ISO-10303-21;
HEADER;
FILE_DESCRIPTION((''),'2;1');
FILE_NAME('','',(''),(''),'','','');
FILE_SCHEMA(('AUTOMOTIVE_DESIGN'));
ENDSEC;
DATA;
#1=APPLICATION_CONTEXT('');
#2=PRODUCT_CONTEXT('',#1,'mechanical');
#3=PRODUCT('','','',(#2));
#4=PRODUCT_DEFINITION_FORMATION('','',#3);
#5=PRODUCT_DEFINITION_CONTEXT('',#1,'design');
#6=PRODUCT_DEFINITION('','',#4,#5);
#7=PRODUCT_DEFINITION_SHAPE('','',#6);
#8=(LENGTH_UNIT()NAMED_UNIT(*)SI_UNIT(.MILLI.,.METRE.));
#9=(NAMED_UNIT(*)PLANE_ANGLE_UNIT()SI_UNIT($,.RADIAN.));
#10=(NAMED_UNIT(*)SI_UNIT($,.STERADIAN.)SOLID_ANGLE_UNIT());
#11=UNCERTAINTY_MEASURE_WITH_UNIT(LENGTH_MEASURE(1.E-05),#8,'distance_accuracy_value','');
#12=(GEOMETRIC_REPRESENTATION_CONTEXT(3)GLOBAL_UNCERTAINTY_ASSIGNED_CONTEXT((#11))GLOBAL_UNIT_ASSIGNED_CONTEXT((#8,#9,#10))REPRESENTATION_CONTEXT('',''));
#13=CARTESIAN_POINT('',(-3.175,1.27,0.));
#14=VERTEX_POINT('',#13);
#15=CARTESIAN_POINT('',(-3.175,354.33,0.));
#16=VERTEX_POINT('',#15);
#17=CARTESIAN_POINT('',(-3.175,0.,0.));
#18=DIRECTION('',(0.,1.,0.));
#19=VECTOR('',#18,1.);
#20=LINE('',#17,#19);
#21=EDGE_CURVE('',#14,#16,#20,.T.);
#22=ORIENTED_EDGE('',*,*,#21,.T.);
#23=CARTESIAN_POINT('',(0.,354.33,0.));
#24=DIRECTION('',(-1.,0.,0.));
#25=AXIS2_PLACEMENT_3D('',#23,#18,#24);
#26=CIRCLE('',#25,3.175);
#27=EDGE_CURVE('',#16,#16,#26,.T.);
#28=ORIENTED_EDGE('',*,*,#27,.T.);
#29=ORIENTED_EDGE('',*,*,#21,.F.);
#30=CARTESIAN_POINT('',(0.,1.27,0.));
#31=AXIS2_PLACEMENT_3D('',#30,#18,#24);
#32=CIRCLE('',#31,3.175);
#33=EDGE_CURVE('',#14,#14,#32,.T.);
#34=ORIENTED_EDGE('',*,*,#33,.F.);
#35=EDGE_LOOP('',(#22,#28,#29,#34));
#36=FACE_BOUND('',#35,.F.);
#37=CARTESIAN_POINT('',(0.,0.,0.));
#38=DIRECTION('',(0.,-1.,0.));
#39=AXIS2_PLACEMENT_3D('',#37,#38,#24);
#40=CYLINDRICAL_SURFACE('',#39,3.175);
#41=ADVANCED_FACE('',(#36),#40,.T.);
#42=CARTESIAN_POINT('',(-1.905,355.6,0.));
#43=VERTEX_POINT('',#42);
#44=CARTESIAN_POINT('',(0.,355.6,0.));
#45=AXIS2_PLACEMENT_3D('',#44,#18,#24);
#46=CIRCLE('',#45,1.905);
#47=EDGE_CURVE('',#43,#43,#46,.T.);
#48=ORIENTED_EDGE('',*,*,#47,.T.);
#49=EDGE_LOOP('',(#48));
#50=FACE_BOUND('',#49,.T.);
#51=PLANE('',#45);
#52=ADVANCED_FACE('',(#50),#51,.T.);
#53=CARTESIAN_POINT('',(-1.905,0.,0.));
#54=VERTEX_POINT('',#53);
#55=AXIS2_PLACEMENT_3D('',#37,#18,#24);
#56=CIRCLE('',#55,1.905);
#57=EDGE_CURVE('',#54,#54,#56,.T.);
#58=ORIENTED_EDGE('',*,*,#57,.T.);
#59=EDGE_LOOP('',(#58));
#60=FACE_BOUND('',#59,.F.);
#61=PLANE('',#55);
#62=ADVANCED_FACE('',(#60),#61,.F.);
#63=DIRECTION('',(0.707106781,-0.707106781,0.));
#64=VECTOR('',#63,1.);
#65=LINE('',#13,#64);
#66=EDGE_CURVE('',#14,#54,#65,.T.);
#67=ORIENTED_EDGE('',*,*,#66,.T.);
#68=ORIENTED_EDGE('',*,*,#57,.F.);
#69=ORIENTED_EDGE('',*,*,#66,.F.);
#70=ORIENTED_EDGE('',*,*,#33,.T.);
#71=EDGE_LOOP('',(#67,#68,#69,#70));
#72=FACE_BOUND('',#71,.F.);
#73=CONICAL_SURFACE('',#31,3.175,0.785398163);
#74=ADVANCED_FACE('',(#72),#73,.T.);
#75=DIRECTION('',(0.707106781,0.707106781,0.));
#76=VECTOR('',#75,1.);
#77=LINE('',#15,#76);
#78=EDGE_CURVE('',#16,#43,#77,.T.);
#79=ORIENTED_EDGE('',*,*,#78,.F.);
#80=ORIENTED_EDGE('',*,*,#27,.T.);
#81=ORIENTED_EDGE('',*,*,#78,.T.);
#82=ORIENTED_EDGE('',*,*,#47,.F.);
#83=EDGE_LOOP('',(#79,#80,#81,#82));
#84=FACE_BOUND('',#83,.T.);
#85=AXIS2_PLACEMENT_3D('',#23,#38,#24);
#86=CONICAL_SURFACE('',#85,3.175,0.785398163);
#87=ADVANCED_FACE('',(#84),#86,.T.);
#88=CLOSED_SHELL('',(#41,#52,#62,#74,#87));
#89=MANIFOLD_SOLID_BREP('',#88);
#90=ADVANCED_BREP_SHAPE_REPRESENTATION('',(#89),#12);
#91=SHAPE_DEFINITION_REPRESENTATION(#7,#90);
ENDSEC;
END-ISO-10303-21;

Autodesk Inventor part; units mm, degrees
ref_plane "YZ Plane" through (0, 0, 0) normal (1, 0, 0) x (0, 1, 0)
ref_plane "XZ Plane" through (0, 0, 0) normal (0, 1, 0) x (-1, 0, 0)
ref_plane "XY Plane" through (0, 0, 0) normal (0, 0, 1) x (1, 0, 0)
sketch "Sketch1" plane through (0, 0, 0) normal (0, 1, 0) x (-1, 0, 0)
  circle A0 centre (0, 0) radius 3.175
  dimension "d0" = 6.35
extrude "Extrusion1" add sketch "Sketch1" along normal blind 355.6
chamfer "Chamfer1" distance 1.27 angle 45 2 edges at (3.175, 0, 0) (3.175, 355.6, 0)
thread "Thread1" size "1/4-20 UNC" class "2A" standard "ANSI Unified Screw Threads" full length
properties part number "Threaded Rod"
